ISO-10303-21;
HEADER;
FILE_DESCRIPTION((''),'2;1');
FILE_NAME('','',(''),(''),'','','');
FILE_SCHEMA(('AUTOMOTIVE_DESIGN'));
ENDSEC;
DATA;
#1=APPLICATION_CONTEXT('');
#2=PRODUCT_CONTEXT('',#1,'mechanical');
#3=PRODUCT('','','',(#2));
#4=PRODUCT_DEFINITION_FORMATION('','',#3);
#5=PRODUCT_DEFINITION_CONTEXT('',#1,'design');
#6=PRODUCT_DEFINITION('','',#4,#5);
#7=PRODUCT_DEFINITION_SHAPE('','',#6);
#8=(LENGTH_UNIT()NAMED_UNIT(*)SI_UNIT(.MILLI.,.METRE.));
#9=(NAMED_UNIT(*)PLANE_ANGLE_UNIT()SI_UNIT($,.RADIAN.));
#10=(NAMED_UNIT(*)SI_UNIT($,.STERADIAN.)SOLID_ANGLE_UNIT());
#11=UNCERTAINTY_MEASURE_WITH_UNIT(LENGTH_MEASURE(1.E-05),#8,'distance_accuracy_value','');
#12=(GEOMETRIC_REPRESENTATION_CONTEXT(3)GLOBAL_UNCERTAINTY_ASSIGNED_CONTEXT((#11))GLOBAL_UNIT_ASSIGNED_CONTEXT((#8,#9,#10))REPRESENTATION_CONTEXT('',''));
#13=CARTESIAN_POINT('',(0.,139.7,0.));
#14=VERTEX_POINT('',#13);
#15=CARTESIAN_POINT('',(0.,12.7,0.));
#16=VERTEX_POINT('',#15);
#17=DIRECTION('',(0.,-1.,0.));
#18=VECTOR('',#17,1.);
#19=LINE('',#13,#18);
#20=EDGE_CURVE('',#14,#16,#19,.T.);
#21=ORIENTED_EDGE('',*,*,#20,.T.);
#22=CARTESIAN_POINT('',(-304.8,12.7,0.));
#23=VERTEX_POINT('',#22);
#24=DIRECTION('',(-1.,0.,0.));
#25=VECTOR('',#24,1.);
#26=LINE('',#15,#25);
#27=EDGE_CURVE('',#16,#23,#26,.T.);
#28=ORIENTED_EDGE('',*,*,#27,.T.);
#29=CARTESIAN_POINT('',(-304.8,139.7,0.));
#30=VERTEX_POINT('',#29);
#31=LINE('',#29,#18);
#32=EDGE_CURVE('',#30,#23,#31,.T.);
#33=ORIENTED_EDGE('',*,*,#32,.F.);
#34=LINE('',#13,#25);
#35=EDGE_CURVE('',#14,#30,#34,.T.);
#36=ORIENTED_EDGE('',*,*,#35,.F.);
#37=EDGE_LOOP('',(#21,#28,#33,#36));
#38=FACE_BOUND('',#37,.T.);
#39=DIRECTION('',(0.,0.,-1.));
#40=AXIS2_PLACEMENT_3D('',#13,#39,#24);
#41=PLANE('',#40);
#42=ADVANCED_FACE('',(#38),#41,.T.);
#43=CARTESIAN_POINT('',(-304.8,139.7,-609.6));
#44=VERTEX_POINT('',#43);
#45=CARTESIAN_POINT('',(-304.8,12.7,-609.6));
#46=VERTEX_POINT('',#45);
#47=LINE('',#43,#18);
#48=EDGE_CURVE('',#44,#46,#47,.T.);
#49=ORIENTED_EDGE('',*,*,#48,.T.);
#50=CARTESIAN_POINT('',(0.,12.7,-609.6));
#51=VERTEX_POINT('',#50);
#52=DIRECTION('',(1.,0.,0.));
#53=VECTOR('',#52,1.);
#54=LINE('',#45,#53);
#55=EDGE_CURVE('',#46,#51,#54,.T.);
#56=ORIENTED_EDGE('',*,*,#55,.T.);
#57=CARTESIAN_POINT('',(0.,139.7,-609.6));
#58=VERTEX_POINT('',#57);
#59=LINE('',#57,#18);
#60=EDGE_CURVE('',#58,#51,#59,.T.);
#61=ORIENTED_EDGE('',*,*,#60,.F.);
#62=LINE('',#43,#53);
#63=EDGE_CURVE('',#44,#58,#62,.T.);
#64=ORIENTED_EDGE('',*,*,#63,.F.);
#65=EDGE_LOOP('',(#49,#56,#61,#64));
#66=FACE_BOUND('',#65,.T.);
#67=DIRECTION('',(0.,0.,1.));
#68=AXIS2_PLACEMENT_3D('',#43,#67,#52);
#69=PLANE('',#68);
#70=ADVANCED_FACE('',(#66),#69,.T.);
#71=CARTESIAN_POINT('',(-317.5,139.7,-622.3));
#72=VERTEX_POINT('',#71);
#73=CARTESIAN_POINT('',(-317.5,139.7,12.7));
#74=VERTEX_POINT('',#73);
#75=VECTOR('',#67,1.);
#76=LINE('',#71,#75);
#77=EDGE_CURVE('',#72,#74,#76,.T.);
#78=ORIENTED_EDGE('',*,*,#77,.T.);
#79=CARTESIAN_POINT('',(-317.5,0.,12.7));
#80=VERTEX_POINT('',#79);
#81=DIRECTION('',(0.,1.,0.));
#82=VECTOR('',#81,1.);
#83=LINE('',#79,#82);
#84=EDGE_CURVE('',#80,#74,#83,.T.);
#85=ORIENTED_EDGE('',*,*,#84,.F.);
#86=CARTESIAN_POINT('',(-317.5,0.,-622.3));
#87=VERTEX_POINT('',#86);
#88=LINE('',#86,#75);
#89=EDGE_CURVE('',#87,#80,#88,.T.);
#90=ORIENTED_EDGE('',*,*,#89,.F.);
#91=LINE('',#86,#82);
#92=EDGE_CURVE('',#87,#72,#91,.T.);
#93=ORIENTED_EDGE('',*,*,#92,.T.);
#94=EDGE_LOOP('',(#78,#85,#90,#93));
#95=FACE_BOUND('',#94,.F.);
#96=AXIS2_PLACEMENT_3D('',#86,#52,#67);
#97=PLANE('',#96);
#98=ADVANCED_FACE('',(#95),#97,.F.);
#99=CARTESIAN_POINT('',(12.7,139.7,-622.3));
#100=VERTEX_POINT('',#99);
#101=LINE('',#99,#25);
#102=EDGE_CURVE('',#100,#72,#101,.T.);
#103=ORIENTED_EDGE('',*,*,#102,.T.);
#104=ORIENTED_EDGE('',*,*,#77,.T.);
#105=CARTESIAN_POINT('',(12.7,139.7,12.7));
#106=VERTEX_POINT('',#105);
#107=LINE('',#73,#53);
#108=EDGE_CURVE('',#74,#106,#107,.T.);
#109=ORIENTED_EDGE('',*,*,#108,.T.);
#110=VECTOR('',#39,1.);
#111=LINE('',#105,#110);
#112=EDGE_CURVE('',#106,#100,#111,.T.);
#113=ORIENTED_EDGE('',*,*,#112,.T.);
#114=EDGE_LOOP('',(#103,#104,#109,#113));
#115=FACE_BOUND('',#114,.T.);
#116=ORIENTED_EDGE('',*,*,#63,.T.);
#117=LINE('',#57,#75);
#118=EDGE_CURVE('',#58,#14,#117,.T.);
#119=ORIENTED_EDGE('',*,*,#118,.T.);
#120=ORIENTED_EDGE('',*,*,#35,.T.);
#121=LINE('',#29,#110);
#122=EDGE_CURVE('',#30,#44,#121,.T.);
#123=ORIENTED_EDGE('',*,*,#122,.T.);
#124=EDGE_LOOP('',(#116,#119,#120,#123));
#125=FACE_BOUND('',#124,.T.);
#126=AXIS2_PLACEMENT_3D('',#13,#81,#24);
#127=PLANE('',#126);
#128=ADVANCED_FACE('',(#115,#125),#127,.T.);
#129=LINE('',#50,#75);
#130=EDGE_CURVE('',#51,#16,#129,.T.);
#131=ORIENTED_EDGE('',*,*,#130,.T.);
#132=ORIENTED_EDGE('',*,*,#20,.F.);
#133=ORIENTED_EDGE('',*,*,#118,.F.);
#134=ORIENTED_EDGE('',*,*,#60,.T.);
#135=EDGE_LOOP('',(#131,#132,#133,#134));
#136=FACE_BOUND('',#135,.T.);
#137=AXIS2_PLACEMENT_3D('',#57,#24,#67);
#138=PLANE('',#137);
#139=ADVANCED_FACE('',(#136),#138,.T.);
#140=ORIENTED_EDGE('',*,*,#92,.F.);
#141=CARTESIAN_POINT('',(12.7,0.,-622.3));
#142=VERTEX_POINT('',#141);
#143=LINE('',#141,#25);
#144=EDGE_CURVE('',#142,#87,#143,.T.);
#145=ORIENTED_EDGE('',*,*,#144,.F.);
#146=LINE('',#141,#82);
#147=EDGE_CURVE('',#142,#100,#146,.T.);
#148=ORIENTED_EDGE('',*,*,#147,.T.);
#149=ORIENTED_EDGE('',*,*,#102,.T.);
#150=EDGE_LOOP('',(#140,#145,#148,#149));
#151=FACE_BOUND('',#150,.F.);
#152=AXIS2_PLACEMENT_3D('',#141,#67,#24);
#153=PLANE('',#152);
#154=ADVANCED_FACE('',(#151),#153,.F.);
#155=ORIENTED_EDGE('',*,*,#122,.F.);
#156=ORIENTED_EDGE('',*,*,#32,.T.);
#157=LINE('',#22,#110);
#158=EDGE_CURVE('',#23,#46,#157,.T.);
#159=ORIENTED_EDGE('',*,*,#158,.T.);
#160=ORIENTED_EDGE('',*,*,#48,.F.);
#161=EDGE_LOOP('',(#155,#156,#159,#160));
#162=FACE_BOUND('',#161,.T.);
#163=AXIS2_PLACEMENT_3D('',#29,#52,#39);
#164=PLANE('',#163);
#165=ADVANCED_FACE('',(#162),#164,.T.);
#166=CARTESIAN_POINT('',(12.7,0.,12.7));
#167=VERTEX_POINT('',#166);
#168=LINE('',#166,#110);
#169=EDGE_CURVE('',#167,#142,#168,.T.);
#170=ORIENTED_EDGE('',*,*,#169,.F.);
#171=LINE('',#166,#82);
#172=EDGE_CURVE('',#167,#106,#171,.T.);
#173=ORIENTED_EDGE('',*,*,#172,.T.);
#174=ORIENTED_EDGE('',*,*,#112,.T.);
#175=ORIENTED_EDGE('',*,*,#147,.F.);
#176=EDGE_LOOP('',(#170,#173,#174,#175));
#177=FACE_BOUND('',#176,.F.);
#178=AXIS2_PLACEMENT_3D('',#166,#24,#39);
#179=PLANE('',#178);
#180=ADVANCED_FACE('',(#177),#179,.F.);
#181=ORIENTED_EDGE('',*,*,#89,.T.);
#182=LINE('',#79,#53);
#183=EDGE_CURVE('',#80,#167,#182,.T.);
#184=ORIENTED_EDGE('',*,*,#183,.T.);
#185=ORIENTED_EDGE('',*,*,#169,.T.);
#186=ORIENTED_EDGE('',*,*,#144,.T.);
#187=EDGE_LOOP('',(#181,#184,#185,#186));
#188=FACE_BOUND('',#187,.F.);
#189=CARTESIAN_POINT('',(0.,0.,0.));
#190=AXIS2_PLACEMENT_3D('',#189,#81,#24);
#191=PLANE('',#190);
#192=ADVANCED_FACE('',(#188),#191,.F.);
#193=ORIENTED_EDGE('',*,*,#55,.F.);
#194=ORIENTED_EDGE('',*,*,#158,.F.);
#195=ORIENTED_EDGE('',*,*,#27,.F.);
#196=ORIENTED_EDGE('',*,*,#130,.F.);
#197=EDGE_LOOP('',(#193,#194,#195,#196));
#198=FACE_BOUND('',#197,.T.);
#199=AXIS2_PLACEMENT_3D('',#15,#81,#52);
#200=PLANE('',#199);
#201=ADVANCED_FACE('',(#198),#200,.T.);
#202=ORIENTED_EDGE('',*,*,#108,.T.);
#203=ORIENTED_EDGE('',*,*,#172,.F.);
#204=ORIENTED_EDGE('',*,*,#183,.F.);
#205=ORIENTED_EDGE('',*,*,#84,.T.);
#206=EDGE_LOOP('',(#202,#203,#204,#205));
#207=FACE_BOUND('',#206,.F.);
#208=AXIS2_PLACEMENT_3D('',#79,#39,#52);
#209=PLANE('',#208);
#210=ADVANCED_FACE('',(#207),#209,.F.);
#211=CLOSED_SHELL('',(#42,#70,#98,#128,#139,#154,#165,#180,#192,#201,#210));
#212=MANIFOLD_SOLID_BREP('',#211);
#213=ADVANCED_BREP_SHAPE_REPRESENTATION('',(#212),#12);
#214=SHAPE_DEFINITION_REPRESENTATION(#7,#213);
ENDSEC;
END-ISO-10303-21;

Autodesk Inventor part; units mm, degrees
ref_plane "YZ Plane" through (0, 0, 0) normal (1, 0, 0) x (0, 1, 0)
ref_plane "XZ Plane" through (0, 0, 0) normal (0, 1, 0) x (-1, 0, 0)
ref_plane "XY Plane" through (0, 0, 0) normal (0, 0, 1) x (1, 0, 0)
sketch "Sketch1" plane through (0, 0, 0) normal (0, 1, 0) x (-1, 0, 0)
  line L0 (0, 0) -> (304.8, 0)
  line L1 (304.8, 0) -> (304.8, -609.6)
  line L2 (304.8, -609.6) -> (0, -609.6)
  line L3 (0, -609.6) -> (0, 0)
  line L4 (317.5, 12.7) -> (-12.7, 12.7)
  line L5 (-12.7, 12.7) -> (-12.7, -622.3)
  line L6 (-12.7, -622.3) -> (317.5, -622.3)
  line L7 (317.5, -622.3) -> (317.5, 12.7)
  dimension "d0" = 304.8
  dimension "d1" = 609.6
  dimension "d2" = 12.7
extrude "Extrusion1" add sketch "Sketch1" along normal blind 139.7 contours L0 L1 L2 L3 | L7 L6 L5 L4
sketch "Sketch2" plane through (0, 139.7, 0) normal (0, 1, 0) x (1, 0, 0)
  line L0 (0, 0) -> (-304.8, 0)
  line L1 (-304.8, 0) -> (-304.8, 609.6)
  line L2 (-304.8, 609.6) -> (0, 609.6)
  line L3 (0, 609.6) -> (0, 0)
  dimension "d5" = 304.8
  dimension "d6" = 609.6
extrude "Extrusion2" cut sketch "Sketch2" against normal blind 127
properties part number "PlantBox"
